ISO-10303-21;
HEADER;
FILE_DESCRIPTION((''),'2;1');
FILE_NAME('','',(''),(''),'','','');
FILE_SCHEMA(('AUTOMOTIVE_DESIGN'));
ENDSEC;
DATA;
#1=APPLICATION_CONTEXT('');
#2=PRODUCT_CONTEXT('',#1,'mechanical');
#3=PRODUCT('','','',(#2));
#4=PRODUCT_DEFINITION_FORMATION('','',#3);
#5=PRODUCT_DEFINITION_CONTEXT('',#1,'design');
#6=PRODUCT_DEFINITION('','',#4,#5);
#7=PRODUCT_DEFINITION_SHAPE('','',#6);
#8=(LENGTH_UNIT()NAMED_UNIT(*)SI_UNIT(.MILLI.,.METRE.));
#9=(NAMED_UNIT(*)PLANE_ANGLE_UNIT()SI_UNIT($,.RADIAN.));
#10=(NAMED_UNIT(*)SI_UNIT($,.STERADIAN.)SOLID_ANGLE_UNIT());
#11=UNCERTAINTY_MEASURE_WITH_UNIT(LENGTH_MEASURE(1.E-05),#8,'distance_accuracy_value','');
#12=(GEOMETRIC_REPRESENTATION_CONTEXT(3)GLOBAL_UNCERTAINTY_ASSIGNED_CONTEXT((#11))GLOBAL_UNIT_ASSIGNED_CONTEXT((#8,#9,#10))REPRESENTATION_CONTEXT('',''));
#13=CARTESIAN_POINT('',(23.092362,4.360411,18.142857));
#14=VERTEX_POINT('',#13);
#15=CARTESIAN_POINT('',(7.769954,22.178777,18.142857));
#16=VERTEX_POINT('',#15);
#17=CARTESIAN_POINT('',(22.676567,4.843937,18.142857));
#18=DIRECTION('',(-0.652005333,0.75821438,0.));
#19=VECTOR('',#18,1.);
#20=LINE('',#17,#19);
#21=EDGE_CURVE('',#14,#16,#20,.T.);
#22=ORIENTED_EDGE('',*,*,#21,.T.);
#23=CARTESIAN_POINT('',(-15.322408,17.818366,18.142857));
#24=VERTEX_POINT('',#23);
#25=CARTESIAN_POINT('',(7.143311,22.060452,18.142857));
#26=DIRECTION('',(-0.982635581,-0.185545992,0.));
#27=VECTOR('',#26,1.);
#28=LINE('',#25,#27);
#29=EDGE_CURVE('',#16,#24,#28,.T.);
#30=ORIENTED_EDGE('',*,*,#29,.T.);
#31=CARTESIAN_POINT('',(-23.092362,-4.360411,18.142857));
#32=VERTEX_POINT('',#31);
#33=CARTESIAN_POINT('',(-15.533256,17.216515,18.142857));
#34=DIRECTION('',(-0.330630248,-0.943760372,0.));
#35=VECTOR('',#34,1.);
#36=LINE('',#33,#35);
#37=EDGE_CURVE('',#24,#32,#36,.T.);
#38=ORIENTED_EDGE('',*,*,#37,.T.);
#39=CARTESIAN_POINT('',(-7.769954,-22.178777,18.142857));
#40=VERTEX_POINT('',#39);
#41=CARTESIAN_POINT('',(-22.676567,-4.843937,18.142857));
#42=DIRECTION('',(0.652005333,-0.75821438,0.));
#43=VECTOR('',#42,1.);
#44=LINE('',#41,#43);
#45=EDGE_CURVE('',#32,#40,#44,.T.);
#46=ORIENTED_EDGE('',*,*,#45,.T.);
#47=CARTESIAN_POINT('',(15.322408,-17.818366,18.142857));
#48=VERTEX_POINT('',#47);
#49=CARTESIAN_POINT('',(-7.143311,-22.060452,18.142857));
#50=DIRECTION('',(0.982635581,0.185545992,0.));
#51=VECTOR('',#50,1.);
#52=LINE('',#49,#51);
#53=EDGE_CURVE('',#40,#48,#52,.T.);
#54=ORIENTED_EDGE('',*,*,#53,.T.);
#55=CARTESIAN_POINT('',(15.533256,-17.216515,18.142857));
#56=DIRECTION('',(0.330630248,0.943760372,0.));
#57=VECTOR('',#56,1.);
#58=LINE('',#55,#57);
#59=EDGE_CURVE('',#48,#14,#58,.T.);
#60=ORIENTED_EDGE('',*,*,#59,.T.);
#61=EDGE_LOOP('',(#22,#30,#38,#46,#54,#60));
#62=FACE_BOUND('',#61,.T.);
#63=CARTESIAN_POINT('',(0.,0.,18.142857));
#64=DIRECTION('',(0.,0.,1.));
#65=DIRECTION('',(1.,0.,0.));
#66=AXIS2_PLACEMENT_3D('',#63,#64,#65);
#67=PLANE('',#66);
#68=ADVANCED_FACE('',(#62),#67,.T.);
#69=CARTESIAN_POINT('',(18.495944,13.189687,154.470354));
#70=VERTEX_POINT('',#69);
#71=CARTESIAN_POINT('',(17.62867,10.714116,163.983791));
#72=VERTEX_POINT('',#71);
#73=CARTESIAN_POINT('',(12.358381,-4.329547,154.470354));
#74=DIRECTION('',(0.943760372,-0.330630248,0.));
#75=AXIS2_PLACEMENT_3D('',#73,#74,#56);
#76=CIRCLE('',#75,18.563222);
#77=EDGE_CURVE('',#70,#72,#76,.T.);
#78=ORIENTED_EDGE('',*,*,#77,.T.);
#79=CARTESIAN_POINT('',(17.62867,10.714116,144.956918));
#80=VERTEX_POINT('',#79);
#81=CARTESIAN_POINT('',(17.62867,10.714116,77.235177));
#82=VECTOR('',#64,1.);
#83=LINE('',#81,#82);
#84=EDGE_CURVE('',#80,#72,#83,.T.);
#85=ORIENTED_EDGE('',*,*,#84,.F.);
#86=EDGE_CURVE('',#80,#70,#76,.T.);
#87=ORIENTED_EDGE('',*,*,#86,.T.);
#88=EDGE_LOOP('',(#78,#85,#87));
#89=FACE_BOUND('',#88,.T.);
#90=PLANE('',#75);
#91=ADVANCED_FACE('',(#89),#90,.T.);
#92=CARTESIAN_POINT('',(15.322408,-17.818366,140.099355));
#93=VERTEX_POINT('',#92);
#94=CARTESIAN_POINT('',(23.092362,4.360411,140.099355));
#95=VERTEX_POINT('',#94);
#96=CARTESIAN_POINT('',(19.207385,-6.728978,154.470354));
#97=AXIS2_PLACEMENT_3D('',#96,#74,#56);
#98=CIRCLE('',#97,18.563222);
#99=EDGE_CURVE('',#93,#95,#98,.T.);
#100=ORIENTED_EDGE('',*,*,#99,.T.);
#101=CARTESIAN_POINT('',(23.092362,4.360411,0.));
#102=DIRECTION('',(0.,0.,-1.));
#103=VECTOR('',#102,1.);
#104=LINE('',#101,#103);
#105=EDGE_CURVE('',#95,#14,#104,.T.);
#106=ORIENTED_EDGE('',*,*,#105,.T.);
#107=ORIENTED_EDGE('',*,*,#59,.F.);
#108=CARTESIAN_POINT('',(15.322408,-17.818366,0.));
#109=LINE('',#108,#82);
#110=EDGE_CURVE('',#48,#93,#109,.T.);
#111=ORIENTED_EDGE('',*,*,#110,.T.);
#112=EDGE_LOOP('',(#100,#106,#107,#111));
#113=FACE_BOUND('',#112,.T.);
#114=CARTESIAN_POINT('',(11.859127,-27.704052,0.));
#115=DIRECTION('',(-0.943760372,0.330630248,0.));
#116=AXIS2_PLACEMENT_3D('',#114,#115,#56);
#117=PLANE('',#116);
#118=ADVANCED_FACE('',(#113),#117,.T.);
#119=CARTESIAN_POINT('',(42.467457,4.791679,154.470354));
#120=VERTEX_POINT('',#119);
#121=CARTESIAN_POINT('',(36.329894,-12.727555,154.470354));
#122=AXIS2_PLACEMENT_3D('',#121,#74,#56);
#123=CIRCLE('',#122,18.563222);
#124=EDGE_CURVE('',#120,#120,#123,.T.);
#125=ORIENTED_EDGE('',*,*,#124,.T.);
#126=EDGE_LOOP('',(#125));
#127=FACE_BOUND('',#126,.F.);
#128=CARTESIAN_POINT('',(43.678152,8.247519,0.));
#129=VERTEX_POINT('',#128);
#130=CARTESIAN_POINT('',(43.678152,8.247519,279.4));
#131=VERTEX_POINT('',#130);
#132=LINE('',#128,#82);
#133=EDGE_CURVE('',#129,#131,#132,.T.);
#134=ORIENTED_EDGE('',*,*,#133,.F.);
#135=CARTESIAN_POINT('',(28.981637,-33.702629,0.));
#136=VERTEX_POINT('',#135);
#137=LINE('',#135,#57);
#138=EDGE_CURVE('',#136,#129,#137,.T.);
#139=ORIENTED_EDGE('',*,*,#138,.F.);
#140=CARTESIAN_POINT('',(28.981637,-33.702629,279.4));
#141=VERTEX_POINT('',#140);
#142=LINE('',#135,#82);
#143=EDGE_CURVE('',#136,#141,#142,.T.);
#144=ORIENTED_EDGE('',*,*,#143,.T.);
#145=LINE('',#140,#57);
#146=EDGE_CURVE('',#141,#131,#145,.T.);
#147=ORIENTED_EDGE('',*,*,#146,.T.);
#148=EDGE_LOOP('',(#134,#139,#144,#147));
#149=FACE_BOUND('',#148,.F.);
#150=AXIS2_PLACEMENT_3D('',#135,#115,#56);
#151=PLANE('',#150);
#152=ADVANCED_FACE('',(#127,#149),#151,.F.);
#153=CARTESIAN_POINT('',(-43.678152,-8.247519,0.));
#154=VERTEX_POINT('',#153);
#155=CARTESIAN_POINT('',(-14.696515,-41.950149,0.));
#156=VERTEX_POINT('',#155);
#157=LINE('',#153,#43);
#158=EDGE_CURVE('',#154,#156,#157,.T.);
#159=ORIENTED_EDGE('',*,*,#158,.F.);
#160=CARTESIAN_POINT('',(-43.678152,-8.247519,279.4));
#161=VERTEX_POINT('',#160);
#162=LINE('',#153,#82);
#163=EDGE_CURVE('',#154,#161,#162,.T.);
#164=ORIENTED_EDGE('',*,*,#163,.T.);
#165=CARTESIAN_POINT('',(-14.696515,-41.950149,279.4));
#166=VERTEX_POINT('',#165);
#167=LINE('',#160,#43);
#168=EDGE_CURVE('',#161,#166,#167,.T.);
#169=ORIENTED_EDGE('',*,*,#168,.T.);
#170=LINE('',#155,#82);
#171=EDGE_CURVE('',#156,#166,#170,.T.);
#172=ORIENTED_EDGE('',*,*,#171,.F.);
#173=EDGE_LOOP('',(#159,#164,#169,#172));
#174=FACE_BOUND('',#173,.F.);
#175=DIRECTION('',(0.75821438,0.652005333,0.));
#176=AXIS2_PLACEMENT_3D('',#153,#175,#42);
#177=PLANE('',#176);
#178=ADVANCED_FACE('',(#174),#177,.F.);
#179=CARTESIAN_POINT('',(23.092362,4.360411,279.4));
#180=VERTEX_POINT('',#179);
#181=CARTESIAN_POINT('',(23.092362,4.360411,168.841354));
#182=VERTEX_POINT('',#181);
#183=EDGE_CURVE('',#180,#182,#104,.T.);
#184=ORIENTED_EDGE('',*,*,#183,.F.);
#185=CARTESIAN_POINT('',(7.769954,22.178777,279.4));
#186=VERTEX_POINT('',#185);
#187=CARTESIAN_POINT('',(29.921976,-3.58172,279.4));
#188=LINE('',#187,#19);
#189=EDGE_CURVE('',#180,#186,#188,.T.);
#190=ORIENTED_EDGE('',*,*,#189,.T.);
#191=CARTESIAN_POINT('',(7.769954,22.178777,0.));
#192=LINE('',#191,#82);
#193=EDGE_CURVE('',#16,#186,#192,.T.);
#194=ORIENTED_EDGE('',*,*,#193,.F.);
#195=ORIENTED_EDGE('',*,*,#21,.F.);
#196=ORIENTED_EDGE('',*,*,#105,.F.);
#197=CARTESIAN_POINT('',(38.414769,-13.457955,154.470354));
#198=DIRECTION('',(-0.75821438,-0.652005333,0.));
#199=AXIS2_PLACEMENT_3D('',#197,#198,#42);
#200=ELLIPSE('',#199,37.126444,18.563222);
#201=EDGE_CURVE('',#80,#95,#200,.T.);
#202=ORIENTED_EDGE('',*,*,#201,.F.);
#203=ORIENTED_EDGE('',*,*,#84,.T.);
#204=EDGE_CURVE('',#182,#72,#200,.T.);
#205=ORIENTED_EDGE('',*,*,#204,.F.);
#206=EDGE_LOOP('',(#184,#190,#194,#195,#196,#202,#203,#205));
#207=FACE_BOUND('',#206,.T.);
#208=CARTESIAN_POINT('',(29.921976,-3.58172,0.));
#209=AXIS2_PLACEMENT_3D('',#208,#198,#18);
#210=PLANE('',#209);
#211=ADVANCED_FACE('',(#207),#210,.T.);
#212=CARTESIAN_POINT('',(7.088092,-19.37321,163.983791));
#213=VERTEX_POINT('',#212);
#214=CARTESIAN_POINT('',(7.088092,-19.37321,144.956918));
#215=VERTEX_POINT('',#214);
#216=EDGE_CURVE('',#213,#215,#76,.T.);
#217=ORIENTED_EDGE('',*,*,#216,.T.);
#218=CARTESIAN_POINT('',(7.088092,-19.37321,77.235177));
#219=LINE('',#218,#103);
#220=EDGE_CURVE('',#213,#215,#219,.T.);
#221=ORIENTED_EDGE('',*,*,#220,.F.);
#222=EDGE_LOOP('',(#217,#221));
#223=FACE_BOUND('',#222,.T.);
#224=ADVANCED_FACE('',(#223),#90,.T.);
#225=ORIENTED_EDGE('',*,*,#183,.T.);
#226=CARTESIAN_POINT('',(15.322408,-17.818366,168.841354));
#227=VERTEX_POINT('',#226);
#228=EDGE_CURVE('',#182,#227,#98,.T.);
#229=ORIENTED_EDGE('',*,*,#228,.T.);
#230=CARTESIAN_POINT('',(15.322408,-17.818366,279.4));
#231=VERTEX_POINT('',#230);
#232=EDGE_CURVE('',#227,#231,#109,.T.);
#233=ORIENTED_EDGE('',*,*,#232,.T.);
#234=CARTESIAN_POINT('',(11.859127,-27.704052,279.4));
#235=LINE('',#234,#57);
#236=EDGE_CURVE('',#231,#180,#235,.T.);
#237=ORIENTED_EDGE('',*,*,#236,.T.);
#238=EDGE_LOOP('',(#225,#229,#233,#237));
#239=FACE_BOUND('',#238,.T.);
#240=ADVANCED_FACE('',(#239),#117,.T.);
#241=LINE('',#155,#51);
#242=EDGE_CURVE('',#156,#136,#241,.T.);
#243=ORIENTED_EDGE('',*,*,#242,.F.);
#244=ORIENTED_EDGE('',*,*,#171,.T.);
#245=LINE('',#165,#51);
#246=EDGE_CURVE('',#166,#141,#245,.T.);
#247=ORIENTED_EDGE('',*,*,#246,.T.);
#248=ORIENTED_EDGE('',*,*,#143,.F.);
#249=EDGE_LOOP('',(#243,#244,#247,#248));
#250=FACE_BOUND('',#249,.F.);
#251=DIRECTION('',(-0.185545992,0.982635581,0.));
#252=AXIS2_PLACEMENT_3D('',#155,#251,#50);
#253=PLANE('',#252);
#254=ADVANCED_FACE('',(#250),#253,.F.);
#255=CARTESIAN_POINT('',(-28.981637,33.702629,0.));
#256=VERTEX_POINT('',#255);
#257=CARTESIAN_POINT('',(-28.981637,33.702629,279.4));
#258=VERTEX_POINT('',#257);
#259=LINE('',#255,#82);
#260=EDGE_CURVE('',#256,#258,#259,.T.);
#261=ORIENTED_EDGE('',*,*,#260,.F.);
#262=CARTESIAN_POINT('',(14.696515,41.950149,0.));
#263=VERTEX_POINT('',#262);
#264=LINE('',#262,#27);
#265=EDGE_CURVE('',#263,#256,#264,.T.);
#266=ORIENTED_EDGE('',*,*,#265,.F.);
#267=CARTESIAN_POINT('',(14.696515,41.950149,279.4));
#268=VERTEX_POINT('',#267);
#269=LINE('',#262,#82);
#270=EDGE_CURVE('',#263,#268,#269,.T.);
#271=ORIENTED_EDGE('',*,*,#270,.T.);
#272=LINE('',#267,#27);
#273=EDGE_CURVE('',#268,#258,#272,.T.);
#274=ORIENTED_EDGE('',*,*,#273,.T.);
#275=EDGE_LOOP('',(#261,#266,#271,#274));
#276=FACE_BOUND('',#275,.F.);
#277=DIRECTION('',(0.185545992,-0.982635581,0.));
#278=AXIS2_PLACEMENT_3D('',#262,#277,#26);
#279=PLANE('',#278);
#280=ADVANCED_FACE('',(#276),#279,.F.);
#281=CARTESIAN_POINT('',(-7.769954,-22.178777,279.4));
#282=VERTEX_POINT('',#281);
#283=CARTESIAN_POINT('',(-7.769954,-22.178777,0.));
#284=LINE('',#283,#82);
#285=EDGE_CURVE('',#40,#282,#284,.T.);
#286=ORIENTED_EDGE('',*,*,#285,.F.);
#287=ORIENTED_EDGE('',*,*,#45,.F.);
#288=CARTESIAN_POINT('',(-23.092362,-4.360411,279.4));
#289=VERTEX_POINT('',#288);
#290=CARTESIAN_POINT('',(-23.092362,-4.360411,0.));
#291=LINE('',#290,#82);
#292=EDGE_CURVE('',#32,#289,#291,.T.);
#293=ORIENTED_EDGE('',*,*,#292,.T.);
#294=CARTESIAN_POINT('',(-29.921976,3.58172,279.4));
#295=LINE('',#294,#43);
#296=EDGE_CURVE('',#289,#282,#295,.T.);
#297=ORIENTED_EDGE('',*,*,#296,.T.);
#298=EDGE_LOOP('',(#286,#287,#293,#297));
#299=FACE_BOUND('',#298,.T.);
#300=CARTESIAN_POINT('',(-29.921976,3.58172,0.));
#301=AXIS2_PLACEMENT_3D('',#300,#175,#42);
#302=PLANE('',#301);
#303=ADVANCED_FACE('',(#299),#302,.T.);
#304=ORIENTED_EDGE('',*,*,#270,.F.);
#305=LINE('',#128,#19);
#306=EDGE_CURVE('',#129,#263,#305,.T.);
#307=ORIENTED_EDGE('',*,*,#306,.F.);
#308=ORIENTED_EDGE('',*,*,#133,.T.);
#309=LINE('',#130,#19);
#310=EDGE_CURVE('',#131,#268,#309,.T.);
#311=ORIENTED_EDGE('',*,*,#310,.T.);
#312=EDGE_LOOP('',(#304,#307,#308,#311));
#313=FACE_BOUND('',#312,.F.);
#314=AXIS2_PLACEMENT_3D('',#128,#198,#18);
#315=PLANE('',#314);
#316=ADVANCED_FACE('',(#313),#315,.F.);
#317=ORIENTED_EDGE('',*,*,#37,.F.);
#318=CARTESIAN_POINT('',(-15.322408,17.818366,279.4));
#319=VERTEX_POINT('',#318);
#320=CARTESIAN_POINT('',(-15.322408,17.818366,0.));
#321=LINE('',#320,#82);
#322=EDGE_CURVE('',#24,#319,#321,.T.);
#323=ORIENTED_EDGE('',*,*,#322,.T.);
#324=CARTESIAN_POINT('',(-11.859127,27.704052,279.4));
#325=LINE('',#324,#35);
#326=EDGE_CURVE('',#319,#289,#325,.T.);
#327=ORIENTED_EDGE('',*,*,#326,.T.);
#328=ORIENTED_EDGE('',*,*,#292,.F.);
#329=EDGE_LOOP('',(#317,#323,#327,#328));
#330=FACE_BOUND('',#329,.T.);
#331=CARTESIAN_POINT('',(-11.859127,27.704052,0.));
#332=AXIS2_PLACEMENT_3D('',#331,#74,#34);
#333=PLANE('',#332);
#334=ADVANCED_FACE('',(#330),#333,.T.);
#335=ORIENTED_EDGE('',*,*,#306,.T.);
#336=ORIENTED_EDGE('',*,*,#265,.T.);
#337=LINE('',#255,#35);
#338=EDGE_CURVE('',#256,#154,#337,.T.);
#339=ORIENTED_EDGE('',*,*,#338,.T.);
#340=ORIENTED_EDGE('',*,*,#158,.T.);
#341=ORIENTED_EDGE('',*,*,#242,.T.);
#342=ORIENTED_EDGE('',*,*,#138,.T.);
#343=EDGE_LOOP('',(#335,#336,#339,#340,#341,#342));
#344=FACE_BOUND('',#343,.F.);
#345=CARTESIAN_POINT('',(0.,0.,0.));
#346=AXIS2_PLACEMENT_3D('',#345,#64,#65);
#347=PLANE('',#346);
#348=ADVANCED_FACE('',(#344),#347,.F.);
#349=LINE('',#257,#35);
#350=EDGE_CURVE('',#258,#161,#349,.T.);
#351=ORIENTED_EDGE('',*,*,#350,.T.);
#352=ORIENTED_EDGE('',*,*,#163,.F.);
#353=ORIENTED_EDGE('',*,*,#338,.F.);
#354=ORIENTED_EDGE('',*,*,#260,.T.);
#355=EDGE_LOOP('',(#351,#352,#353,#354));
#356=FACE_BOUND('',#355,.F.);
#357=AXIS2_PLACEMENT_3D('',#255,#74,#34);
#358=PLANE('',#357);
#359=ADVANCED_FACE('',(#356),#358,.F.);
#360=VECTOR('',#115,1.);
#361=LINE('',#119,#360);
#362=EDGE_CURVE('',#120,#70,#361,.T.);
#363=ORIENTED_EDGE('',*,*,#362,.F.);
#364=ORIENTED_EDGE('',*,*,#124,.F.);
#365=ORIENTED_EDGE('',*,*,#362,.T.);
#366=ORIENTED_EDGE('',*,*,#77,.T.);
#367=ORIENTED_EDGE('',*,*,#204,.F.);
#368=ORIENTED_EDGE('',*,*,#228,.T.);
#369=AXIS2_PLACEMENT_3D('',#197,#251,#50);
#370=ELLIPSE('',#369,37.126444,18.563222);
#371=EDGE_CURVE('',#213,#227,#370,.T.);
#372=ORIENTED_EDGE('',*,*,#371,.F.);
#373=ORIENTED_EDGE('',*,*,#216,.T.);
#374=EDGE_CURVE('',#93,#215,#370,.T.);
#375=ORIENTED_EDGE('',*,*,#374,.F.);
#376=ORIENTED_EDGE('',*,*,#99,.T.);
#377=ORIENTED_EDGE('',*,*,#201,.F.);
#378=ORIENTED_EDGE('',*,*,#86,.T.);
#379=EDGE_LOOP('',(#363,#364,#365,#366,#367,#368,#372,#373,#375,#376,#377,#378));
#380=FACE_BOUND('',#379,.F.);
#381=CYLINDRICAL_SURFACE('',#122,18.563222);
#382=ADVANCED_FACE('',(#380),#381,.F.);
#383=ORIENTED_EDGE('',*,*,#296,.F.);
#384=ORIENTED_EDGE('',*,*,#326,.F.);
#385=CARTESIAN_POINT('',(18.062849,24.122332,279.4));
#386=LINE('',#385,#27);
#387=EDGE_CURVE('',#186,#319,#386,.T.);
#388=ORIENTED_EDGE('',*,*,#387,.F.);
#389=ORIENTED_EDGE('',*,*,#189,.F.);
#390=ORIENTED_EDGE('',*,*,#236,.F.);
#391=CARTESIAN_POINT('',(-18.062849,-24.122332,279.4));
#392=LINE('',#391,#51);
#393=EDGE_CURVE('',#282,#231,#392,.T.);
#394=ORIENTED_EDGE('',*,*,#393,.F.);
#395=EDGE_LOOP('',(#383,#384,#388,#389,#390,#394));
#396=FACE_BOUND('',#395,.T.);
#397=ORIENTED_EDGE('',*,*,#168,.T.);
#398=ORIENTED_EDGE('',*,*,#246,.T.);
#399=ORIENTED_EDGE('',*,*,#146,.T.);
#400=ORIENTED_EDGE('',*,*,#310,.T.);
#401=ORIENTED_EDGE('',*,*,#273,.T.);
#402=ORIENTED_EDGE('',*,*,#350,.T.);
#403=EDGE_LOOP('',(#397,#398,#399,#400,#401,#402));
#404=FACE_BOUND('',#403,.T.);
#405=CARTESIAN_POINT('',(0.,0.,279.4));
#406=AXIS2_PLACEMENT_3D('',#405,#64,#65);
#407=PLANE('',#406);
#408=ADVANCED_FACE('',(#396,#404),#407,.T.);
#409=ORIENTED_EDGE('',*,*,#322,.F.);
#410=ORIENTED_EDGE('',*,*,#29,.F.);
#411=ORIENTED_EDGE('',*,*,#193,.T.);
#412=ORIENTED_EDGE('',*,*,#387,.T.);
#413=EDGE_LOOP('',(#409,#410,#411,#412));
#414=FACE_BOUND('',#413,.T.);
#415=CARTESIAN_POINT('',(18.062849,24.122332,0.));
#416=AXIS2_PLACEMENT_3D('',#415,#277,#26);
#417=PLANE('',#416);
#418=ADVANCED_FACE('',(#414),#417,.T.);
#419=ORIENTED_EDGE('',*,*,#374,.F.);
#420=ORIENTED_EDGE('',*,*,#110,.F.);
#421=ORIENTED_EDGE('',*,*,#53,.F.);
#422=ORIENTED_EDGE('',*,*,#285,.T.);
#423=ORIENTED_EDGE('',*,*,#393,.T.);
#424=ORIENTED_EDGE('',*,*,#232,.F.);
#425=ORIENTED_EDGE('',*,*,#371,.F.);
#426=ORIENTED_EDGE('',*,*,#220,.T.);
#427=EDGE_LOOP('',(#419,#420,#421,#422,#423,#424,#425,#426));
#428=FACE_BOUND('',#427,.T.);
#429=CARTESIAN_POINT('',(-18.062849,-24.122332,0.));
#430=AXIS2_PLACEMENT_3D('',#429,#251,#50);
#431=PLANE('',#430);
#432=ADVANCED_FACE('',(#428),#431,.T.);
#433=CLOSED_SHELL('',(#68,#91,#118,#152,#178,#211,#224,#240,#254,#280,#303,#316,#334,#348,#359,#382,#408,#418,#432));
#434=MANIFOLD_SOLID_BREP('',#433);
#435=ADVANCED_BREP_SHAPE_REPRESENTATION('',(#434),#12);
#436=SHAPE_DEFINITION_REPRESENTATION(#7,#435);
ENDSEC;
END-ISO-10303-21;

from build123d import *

# Parameters (mm, degrees)
F1_DEPTH = 279.4
F2_T     = -18.1428571429
F3_R     = 18.5632222349
F4_DEPTH = 25.4


with BuildPart() as f1:
    # F0 (on Top) → F1 (new body)
    with BuildSketch(Plane.XY):
        Polygon((43.678151575, 8.2475193234), (14.6965145353, 41.950148516), (-28.9816370398, 33.7026291926), (-43.678151575, -8.2475193234), (-14.6965145353, -41.950148516), (28.9816370398, -33.7026291926), align=None)
    extrude(amount=F1_DEPTH)

    # F2
    f2_openings = [f1.faces().sort_by_distance(p)[0] for p in [
        (0, 0, 279.4),
    ]]
    offset(amount=F2_T, openings=f2_openings)

    # F3 (on face) → F4 (cut)
    with BuildSketch(Plane(origin=(36.3298943074, -12.7275549346, 0), x_dir=(0.3306302483, 0.9437603716, 0), z_dir=(0.9437603716, -0.3306302483, 0))):
        with Locations((0, 154.4703543186)):
            Circle(F3_R)
    extrude(amount=-F4_DEPTH, mode=Mode.SUBTRACT)


solid = f1.part
